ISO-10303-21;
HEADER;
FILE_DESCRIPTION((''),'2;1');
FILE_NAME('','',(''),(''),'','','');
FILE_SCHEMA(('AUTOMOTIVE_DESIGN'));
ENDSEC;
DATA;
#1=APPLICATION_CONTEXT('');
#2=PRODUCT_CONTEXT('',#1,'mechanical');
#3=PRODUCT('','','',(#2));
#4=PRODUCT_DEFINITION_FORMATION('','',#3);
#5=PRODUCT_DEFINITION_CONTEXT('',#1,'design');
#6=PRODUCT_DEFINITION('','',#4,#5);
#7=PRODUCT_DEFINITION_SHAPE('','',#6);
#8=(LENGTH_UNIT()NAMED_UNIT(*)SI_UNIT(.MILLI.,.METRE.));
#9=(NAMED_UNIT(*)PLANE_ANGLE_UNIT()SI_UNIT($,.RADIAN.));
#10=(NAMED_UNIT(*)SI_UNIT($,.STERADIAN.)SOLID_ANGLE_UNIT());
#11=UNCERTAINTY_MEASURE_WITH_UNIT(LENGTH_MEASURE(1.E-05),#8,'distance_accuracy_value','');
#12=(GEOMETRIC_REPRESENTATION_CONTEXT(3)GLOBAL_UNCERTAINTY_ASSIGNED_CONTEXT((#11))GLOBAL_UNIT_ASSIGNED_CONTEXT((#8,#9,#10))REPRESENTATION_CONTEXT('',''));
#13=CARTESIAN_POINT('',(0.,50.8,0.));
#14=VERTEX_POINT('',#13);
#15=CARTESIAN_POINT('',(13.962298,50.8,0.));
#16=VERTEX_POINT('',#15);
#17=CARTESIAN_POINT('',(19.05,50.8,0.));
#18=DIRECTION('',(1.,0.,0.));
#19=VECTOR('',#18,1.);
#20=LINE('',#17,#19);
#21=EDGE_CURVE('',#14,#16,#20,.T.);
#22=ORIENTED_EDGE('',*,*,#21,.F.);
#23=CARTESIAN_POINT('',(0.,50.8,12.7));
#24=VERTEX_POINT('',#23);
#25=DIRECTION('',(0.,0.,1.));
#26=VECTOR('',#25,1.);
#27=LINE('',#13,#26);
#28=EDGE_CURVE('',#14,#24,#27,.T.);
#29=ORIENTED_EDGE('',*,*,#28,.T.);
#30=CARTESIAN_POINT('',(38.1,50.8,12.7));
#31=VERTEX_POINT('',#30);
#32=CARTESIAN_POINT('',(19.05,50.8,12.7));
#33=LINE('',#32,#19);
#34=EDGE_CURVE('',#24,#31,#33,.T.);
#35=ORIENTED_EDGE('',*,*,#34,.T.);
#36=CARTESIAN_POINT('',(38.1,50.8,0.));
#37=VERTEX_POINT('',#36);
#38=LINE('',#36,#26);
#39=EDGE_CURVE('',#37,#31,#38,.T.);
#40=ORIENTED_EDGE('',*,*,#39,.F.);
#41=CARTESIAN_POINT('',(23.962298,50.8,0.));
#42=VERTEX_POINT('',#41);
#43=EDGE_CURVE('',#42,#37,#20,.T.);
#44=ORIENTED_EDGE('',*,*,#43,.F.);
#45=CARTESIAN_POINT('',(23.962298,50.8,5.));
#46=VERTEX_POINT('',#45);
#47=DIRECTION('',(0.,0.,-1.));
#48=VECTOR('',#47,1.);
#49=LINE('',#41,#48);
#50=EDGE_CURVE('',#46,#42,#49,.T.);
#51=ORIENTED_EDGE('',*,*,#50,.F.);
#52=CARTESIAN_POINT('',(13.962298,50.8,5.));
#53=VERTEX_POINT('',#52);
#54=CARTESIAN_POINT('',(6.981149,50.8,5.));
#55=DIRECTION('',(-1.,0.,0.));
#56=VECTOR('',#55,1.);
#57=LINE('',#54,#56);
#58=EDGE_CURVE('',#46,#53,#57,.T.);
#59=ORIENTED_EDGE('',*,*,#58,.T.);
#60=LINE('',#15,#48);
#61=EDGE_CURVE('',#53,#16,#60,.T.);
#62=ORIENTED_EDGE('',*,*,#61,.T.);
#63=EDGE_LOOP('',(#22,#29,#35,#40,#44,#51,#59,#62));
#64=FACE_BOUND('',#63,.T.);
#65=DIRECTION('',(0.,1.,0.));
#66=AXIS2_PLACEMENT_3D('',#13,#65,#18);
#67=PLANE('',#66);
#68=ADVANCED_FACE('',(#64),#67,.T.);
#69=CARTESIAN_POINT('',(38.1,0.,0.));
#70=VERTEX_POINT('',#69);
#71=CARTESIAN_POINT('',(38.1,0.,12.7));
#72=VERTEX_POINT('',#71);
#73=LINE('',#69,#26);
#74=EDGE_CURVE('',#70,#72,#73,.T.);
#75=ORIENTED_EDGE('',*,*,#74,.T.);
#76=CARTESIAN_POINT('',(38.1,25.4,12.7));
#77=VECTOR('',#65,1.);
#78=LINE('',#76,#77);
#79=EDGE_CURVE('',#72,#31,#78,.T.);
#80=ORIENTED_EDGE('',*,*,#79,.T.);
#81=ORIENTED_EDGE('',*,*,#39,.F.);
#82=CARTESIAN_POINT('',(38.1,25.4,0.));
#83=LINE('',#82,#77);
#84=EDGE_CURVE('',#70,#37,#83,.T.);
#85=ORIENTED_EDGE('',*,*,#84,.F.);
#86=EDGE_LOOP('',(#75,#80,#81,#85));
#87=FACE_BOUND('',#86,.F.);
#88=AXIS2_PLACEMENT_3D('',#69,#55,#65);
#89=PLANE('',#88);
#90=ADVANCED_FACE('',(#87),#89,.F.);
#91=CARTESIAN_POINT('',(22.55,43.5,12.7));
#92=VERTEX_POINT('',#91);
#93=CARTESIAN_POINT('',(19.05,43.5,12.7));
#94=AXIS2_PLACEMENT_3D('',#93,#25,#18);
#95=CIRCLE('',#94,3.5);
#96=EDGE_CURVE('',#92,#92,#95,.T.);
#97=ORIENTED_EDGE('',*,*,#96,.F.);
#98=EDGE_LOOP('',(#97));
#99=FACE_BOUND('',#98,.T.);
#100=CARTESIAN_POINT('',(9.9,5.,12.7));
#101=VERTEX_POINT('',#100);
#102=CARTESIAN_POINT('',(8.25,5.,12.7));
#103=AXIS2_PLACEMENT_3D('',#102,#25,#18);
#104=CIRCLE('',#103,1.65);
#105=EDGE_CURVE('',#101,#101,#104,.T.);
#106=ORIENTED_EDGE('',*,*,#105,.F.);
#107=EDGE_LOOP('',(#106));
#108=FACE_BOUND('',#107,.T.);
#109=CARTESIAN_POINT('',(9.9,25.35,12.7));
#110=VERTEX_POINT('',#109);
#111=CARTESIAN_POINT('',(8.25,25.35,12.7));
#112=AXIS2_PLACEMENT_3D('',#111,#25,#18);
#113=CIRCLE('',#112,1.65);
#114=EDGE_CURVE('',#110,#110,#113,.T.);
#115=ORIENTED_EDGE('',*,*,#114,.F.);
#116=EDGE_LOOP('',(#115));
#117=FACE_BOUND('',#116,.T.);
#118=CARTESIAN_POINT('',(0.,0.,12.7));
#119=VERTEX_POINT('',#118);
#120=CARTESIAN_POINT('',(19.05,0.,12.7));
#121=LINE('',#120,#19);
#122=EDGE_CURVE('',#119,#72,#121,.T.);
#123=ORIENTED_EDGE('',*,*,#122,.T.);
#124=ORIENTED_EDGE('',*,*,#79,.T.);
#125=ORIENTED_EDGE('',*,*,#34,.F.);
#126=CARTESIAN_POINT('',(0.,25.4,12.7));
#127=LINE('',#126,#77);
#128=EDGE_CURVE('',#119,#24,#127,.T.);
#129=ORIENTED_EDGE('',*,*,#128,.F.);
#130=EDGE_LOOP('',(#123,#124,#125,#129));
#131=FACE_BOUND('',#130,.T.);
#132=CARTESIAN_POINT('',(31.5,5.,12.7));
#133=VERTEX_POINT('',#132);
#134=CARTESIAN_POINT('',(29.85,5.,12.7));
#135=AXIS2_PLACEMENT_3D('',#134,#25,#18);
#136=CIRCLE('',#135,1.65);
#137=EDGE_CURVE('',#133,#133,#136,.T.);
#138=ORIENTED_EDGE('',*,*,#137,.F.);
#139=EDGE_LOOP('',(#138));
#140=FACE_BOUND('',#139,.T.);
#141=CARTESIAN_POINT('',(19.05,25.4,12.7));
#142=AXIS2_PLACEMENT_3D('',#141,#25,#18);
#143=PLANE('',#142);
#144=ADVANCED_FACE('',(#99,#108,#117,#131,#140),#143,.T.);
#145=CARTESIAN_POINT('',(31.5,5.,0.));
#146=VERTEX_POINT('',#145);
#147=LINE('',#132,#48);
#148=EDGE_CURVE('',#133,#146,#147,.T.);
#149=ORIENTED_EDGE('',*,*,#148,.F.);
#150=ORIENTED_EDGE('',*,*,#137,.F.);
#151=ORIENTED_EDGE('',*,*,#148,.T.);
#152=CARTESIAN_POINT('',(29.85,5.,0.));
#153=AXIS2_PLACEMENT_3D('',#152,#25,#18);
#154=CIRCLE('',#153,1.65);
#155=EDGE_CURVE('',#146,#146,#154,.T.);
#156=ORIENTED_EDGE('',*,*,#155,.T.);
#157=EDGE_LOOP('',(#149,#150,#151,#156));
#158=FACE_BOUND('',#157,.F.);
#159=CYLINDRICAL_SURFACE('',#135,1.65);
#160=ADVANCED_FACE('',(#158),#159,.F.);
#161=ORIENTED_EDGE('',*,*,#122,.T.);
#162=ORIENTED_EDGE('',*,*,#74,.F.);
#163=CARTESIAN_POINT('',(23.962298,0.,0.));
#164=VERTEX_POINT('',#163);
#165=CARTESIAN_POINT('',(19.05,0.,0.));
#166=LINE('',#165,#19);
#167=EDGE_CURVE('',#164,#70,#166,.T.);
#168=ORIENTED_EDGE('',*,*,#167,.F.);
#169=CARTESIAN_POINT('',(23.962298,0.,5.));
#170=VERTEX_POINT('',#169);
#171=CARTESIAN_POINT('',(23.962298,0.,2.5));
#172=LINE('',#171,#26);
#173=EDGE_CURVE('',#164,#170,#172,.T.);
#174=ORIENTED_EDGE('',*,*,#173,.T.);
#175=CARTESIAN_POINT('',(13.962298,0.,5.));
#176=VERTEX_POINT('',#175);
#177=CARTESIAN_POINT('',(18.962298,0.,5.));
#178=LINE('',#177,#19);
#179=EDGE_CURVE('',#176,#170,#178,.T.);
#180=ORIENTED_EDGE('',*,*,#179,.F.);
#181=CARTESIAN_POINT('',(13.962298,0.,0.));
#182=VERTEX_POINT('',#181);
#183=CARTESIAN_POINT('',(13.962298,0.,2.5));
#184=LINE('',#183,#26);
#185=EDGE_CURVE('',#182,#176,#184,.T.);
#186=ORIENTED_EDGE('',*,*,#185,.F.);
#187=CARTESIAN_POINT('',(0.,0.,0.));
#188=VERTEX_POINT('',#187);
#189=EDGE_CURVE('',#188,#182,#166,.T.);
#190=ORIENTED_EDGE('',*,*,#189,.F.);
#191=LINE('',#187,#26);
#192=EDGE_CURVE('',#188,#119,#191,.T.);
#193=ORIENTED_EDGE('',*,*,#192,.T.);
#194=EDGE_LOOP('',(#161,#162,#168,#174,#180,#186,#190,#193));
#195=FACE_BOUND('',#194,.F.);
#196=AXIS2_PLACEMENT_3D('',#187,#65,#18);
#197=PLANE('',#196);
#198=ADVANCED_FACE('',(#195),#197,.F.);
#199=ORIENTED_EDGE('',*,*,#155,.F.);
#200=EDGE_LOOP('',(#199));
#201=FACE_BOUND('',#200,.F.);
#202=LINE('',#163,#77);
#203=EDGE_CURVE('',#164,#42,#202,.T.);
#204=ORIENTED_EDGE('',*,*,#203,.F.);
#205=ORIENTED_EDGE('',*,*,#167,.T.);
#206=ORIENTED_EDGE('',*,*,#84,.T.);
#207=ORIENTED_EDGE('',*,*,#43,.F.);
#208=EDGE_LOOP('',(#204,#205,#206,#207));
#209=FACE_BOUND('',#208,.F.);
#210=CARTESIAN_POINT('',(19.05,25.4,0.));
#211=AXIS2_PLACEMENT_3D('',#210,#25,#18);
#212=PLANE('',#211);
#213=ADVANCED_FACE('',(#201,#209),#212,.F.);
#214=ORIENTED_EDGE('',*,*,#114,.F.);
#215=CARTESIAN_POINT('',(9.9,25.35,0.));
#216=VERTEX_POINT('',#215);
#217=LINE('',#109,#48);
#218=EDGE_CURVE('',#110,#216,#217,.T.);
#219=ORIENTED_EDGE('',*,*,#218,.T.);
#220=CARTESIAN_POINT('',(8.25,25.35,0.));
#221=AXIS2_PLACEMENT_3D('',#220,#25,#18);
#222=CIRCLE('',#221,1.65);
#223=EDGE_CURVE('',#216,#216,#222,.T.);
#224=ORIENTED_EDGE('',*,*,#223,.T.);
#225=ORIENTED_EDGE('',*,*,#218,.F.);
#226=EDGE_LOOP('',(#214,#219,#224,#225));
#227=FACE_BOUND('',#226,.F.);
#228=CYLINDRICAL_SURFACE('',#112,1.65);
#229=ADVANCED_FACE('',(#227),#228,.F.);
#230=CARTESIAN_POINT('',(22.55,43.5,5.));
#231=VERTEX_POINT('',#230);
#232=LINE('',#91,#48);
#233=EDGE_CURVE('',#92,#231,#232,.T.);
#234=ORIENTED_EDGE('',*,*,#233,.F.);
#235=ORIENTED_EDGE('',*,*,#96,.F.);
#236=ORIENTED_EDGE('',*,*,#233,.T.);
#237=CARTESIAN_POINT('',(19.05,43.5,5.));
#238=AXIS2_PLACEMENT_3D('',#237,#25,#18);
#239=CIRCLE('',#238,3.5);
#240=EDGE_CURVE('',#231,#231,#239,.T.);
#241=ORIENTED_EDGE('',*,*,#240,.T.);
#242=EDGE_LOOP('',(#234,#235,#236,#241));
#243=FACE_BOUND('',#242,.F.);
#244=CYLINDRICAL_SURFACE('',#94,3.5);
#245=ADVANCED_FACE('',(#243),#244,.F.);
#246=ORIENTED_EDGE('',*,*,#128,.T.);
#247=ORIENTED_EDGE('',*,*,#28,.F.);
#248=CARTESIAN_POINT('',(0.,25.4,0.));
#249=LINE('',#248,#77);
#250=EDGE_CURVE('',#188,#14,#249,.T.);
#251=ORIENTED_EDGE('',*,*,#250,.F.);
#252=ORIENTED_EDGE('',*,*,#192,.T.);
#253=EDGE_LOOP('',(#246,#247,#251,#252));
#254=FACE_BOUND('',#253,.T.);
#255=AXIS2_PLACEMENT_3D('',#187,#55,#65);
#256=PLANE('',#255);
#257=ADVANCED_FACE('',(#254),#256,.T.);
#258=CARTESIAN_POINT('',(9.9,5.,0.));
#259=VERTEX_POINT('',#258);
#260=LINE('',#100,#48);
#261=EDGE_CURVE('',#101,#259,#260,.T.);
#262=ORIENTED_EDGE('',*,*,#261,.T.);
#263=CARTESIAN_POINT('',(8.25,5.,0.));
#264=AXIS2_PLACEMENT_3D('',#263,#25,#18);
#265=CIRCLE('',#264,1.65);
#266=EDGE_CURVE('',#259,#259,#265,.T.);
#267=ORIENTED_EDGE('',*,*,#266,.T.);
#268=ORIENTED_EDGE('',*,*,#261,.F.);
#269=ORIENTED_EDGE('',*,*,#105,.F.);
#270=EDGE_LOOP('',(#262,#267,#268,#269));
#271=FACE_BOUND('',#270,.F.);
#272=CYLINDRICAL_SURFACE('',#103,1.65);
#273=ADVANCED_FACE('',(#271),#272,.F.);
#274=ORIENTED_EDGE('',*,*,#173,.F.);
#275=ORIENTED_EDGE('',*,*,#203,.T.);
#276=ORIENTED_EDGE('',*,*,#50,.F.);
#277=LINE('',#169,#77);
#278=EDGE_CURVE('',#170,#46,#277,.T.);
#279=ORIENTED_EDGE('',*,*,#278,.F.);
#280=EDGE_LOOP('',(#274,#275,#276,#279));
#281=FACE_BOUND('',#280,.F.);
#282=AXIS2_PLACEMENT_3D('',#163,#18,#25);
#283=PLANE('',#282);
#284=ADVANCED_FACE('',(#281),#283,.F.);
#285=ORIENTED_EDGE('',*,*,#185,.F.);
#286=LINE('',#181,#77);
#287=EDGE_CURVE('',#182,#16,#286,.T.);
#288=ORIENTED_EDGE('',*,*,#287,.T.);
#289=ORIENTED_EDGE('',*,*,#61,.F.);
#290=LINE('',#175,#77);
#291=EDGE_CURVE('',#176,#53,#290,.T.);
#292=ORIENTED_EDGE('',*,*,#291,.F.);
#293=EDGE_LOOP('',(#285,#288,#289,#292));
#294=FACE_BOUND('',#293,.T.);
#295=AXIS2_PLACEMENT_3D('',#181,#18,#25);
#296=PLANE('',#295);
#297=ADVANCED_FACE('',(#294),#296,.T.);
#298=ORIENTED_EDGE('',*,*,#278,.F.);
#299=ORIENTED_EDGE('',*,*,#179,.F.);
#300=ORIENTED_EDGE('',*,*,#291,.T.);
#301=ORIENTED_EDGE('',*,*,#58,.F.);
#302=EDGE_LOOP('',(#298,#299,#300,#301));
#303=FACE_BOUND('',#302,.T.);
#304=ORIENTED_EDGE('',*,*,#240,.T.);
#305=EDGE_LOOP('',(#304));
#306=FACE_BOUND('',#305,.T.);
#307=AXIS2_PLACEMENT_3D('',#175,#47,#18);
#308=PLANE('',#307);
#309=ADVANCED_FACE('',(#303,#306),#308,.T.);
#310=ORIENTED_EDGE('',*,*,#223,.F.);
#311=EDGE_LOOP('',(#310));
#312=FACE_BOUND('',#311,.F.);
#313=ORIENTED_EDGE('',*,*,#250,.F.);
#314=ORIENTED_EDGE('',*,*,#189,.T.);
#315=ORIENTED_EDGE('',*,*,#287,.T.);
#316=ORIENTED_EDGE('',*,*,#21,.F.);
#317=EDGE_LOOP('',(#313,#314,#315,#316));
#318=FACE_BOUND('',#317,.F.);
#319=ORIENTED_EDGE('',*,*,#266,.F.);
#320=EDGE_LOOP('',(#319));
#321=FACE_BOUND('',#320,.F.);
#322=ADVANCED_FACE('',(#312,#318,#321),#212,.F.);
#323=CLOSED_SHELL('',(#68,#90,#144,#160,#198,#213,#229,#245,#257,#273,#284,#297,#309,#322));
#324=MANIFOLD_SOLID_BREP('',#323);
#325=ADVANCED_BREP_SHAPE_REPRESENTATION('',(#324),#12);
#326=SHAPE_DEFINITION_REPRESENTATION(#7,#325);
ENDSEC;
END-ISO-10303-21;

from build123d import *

# Parameters (mm, degrees)
F0_W     = 38.1
F0_H     = 50.8
F1_DEPTH = 12.7
F2_R     = 1.65
F2_R_2   = 3.5
F3_DEPTH = 12.701
F4_W     = 10
F4_H     = 5
F5_DEPTH = 50.801


with BuildPart() as f1:
    # F0 (on Top) → F1 (new body)
    with BuildSketch(Plane.XY):
        with Locations((19.05, 25.4)):
            Rectangle(F0_W, F0_H)
    extrude(amount=F1_DEPTH)

    # F2 (on face) → F3 (cut, through all)
    with BuildSketch(Plane.XY.offset(12.7)):
        with Locations((8.25, 5)):
            Circle(F2_R)
        with Locations((29.85, 5)):
            Circle(F2_R)
        with Locations((8.25, 25.35)):
            Circle(F2_R)
        with Locations((19.05, 43.5)):
            Circle(F2_R_2)
    extrude(amount=-F3_DEPTH, mode=Mode.SUBTRACT)

    # F4 (on face) → F5 (cut, through all)
    with BuildSketch(Plane.XZ):
        with Locations((18.962298, 2.5)):
            Rectangle(F4_W, F4_H)
    extrude(amount=-F5_DEPTH, mode=Mode.SUBTRACT)


solid = f1.part
